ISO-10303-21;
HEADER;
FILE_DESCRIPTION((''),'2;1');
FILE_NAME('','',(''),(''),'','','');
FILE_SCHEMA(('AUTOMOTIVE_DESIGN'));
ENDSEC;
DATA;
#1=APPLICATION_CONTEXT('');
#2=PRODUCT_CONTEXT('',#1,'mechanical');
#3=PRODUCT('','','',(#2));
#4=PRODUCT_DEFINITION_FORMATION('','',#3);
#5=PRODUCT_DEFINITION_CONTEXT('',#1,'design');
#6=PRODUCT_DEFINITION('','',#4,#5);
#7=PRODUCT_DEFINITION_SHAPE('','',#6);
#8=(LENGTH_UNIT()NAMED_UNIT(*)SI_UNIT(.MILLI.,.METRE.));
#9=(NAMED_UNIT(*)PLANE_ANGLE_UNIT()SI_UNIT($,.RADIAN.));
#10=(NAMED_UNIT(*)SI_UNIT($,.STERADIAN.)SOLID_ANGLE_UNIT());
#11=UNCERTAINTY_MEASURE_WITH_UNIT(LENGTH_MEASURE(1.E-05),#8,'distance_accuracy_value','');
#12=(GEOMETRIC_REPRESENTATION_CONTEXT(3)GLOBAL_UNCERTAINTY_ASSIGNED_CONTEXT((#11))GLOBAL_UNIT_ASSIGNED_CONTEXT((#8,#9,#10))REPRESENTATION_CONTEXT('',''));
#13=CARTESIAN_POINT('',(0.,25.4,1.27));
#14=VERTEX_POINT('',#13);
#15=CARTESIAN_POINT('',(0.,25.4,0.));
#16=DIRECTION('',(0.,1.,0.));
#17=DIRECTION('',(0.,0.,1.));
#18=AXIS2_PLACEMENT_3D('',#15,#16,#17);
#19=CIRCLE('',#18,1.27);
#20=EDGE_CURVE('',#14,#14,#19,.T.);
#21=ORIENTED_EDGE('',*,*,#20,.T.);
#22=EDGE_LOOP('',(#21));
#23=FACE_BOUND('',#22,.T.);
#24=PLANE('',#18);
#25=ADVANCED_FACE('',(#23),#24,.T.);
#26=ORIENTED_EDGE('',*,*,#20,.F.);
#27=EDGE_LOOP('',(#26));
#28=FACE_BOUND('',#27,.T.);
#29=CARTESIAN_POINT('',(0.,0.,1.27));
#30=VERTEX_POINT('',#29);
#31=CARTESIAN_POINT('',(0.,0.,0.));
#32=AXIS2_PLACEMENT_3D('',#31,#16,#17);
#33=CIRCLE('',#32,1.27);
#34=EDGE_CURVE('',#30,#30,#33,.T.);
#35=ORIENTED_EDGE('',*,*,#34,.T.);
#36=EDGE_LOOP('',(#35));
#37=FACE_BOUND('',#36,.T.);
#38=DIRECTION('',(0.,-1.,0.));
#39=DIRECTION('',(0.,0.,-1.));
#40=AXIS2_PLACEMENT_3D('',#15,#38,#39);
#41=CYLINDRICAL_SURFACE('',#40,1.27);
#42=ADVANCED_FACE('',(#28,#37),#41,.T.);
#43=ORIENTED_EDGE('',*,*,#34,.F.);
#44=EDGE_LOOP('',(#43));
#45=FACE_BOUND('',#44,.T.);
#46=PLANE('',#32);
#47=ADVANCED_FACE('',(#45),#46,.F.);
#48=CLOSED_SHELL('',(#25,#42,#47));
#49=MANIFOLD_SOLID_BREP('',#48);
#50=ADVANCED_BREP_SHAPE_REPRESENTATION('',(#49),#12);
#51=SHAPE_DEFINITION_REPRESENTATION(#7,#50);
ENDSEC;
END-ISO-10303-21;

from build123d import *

# Parameters (mm, degrees)
SKETCH1_R           = 1.27
BOSS_EXTRUDE1_DEPTH = 25.4


with BuildPart() as part:
    # Sketch1 → Boss-Extrude1 (new body)
    with BuildSketch(Plane(origin=(0, 0, 0), x_dir=(1, 0, 0), z_dir=(0, 1, 0))):
        with Locations(Location((0, 0, 0), (0, 0, 270))):  # turned: the seam where the file's is
            Circle(SKETCH1_R)
    extrude(amount=BOSS_EXTRUDE1_DEPTH)


solid = part.part
